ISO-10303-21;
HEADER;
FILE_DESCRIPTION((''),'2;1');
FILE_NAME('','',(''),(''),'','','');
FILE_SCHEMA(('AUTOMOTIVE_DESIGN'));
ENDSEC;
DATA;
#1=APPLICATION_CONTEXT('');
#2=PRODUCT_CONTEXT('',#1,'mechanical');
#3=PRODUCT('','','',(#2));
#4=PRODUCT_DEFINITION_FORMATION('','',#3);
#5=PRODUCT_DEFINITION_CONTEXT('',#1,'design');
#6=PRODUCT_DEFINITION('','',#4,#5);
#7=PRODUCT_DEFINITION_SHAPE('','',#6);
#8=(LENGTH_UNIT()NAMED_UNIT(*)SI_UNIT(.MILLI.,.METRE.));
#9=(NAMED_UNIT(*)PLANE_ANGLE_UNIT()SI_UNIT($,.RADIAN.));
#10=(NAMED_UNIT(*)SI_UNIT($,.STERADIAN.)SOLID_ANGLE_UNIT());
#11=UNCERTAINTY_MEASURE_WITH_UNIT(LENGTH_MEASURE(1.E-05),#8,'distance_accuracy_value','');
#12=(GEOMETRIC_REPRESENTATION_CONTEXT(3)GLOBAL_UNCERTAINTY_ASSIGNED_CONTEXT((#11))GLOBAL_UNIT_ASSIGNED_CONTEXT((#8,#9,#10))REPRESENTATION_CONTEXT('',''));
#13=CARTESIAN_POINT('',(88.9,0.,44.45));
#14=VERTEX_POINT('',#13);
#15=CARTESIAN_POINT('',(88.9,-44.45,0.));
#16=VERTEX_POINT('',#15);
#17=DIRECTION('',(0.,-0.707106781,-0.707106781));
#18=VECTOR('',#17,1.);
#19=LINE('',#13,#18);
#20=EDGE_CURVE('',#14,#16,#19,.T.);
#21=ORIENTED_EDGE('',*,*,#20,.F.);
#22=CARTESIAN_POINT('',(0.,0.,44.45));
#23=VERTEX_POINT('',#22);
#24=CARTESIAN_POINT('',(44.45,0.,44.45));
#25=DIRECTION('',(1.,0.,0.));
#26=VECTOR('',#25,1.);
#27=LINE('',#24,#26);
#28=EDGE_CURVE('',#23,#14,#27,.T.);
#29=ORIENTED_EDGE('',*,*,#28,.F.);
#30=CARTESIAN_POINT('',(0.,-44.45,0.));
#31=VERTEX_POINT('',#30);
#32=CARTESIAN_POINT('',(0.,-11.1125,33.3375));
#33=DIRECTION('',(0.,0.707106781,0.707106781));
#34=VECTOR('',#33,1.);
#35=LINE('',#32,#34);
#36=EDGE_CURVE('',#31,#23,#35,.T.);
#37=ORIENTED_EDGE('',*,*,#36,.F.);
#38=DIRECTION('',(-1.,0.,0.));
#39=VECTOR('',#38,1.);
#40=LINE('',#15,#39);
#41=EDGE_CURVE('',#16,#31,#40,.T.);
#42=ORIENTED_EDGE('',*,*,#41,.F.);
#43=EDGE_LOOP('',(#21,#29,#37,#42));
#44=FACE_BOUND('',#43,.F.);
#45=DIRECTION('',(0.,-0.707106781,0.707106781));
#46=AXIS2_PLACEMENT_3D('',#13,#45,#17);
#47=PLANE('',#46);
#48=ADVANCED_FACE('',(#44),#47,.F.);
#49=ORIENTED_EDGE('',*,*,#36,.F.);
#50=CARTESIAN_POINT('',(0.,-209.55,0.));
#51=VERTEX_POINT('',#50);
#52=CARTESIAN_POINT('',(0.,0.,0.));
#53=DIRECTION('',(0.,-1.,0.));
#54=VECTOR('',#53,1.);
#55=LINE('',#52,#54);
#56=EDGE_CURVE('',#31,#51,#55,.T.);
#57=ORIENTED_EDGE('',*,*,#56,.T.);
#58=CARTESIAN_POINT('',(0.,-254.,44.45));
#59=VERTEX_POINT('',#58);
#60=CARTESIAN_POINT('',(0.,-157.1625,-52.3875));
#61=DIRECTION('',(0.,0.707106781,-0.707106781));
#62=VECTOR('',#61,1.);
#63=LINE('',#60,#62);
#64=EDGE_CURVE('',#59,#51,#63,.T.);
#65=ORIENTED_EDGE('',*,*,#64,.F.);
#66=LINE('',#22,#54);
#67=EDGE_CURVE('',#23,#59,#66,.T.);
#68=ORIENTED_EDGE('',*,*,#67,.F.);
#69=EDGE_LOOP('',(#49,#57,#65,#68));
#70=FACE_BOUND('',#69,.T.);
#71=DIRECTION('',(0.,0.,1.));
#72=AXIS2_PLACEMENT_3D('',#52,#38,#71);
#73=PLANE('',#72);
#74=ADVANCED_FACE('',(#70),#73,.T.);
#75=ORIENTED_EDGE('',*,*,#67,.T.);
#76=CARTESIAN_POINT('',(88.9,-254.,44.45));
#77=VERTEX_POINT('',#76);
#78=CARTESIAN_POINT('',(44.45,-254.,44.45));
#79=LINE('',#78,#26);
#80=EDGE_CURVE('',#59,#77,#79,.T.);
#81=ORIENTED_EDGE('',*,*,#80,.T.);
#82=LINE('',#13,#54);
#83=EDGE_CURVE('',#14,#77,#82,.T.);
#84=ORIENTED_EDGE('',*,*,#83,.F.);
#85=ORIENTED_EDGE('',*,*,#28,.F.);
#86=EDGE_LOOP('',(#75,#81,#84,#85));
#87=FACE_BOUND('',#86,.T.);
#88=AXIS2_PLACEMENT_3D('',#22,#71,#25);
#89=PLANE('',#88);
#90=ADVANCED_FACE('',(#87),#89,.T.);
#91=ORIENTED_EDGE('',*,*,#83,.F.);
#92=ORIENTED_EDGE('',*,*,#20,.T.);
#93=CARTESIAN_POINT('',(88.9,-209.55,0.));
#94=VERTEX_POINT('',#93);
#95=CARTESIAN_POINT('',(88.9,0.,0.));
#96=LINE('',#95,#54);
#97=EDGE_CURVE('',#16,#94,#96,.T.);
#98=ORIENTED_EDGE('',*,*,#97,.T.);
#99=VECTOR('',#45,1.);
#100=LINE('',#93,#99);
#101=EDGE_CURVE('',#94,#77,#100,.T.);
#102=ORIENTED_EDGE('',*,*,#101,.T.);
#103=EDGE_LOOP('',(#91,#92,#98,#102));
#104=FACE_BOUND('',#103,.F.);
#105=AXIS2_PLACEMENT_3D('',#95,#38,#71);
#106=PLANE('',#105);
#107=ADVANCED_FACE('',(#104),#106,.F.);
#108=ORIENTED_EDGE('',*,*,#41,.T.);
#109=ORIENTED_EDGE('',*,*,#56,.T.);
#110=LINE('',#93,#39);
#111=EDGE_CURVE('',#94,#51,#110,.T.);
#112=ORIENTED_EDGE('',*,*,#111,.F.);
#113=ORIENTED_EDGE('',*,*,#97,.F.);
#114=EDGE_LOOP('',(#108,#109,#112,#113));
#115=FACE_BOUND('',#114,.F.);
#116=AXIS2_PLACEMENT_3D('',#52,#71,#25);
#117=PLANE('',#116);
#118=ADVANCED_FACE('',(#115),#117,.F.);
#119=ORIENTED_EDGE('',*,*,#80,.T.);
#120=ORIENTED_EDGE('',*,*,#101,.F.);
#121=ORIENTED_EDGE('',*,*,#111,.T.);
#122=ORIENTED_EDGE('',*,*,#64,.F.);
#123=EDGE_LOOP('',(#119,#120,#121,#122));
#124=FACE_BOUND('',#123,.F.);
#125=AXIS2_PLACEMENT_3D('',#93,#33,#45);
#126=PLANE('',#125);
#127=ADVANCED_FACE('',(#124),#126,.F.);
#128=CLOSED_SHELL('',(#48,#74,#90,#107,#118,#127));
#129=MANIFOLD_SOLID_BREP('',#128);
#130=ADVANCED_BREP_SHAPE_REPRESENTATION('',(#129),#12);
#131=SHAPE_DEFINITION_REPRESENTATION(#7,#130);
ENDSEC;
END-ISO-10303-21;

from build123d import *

# Parameters (mm, degrees)
F0_W     = 88.9
F0_H     = 44.45
F1_DEPTH = 254
F3_DEPTH = 101.6


with BuildPart() as f1:
    # F0 (on Front) → F1 (new body)
    with BuildSketch(Plane.XZ):
        with Locations((44.45, 22.225)):
            Rectangle(F0_W, F0_H)
    extrude(amount=F1_DEPTH)

    # F2 (on face) → F3 (cut)
    with BuildSketch(Plane.YZ.offset(88.9)):
        Polygon((-209.55, 0), (-254, 44.45), (-254, 0), align=None)
        Polygon((0, 0), (0, 44.45), (-44.45, 0), align=None)
    extrude(amount=-F3_DEPTH, mode=Mode.SUBTRACT)


solid = f1.part
